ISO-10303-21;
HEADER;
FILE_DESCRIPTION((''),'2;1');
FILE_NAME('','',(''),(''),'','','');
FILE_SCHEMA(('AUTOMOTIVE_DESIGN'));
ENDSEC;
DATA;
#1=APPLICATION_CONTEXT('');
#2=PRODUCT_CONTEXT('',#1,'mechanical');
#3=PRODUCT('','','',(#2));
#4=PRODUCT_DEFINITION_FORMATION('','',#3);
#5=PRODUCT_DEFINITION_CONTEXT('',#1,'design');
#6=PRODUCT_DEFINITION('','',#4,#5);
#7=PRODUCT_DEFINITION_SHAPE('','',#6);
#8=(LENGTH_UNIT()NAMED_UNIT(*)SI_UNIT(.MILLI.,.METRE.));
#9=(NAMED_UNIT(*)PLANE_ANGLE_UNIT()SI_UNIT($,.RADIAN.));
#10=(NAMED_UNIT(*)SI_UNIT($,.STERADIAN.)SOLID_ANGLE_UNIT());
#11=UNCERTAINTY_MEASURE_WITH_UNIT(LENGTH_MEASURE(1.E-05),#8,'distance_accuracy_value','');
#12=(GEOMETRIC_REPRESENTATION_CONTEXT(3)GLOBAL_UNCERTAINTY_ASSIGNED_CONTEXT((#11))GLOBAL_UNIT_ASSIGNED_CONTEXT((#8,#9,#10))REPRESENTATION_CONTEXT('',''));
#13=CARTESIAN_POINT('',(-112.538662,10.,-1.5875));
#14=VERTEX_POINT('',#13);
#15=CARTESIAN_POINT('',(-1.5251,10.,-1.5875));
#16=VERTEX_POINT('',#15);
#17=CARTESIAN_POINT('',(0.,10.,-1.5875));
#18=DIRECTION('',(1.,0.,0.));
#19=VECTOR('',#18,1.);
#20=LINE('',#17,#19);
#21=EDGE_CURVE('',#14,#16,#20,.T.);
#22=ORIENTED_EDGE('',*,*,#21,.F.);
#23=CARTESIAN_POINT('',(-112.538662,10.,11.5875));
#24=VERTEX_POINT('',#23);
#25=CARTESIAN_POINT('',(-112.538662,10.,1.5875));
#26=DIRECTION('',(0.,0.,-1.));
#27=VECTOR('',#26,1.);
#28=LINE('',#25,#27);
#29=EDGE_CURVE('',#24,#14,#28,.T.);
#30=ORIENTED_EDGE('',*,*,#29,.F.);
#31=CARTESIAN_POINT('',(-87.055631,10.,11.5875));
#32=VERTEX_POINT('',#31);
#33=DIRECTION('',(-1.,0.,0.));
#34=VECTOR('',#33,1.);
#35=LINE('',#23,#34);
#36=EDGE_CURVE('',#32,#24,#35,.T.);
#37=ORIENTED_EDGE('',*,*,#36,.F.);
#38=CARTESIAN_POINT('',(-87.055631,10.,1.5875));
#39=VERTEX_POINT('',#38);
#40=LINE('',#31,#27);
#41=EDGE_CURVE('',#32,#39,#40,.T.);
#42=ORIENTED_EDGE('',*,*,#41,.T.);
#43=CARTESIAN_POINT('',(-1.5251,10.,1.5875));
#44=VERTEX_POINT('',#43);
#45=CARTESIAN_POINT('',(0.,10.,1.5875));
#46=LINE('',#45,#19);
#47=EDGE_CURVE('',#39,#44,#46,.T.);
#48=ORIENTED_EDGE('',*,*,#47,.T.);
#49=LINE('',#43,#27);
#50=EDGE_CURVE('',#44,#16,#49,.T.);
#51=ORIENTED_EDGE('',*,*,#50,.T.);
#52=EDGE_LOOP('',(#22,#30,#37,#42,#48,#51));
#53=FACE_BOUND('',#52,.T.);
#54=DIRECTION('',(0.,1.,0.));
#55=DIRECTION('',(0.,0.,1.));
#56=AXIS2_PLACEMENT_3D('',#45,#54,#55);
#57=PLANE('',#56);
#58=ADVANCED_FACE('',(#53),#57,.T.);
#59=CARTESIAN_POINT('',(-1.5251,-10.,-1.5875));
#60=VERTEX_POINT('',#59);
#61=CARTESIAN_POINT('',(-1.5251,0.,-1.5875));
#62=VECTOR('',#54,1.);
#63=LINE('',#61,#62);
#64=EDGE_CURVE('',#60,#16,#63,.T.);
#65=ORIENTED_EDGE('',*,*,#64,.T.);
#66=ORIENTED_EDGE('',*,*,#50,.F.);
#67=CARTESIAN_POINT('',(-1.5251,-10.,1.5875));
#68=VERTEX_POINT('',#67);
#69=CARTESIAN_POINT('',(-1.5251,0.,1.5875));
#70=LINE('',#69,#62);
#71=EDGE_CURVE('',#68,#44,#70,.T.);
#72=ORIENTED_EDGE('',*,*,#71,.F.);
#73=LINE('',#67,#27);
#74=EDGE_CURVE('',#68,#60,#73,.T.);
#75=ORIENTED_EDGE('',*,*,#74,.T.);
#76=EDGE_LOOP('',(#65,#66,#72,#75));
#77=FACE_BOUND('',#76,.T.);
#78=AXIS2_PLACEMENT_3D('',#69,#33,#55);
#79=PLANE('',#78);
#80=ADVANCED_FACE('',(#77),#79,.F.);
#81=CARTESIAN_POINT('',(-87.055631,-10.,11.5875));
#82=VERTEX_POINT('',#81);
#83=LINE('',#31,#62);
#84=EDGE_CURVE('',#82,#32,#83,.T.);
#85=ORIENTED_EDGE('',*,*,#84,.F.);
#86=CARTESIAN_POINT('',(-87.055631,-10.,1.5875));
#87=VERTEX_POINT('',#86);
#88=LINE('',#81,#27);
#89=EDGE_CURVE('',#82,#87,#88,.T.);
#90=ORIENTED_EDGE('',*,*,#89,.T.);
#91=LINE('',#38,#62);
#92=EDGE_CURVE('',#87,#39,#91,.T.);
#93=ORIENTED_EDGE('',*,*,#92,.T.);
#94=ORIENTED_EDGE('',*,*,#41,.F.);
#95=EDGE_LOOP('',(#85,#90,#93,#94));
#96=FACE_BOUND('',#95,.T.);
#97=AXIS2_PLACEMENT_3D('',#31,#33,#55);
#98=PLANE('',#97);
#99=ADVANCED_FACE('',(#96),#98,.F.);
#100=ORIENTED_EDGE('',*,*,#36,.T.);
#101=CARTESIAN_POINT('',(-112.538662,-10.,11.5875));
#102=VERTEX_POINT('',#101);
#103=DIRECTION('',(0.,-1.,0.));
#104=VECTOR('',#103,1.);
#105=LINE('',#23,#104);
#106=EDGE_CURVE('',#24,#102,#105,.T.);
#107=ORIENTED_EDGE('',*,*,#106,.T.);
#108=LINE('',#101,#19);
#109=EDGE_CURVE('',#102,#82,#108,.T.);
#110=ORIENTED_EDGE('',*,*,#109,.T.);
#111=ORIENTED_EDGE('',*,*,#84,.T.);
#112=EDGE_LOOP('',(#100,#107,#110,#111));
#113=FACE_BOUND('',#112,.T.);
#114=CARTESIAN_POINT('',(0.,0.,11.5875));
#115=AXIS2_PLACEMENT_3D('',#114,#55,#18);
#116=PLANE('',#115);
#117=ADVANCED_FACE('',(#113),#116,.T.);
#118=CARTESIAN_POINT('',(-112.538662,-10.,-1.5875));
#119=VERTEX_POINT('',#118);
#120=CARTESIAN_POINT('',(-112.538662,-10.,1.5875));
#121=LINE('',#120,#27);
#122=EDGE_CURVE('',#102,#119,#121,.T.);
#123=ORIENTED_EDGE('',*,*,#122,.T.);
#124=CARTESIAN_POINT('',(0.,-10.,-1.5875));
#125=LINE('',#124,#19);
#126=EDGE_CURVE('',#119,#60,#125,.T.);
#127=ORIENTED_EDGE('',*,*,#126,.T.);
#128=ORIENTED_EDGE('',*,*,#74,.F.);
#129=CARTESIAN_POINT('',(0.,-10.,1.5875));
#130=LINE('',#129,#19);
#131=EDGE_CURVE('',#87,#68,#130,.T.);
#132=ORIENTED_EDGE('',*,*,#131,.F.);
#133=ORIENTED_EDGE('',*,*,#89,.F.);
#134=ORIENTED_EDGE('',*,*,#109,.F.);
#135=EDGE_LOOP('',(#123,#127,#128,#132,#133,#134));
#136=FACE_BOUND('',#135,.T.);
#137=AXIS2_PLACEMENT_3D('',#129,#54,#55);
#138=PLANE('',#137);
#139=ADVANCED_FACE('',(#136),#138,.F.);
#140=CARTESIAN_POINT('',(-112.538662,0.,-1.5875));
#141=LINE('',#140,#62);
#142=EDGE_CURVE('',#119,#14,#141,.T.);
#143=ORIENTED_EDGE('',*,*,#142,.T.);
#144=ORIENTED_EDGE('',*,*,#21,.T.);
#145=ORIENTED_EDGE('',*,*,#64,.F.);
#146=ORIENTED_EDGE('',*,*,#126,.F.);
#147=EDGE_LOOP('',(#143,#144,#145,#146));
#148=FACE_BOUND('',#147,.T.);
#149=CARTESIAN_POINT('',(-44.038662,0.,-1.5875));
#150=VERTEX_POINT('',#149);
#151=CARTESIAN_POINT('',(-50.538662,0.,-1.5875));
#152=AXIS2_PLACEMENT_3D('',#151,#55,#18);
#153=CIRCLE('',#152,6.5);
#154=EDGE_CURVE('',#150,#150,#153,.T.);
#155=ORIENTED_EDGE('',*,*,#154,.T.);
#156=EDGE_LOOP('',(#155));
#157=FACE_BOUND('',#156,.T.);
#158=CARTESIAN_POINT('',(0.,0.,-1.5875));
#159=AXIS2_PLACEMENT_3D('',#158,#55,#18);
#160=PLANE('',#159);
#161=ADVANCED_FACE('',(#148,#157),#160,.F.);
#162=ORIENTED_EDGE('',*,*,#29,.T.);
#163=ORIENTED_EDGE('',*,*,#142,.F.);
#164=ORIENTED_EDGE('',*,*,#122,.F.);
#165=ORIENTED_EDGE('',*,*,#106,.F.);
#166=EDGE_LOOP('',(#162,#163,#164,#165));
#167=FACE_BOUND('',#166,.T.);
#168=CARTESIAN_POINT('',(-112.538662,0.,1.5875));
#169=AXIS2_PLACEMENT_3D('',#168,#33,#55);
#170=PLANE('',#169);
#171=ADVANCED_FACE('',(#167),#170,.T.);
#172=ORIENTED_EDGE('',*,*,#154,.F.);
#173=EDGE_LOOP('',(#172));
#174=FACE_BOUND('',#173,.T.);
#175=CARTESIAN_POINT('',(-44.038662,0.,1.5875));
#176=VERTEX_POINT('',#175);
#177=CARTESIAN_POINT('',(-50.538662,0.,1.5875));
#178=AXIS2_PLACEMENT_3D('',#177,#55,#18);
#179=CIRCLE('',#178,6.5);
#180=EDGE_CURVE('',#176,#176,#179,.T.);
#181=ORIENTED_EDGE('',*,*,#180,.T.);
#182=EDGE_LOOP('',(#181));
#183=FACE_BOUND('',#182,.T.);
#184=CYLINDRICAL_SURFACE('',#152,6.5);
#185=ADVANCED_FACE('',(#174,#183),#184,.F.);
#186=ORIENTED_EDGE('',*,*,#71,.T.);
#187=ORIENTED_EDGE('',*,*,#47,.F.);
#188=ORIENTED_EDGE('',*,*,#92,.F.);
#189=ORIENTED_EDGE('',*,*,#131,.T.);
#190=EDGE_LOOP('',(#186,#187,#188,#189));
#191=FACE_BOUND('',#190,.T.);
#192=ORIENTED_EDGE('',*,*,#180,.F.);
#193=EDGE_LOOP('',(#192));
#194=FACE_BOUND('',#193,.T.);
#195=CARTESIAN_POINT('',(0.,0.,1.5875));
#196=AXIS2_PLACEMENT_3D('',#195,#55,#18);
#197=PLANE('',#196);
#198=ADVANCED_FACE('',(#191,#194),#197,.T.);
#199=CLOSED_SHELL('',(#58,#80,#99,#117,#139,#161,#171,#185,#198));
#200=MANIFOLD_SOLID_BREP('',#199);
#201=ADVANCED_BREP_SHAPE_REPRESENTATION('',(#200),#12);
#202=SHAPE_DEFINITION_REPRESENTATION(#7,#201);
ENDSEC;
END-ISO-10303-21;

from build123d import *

# Parameters (mm, degrees)
SKETCH1_W               = 111.013561953
SKETCH1_H               = 10
BOSS_EXTRUDE3_DEPTH     = 1.5875
CUT_EXTRUDE1_DEPTH      = 114.026682648
CUT_EXTRUDE1_DEPTH_BACK = 114.026682648
SKETCH2_R               = 6.5
SKETCH3_W               = 25.483030165
SKETCH3_H               = 20
BOSS_EXTRUDE4_DEPTH     = 10


with BuildPart() as part:
    # Sketch1 → Boss-Extrude3 (new, symmetric)
    with BuildSketch(Plane.XY):
        with Locations((-57.031880671, 5)):
            Rectangle(SKETCH1_W, SKETCH1_H)
        with Locations((-57.031880671, -5)):
            Rectangle(SKETCH1_W, SKETCH1_H)
    extrude(amount=BOSS_EXTRUDE3_DEPTH, both=True)

    # Sketch2 → Cut-Extrude1 (cut, two sides: drawn at the far end of the back side and taken through both)
    with BuildSketch(Plane.XY.offset(1.5875).offset(-CUT_EXTRUDE1_DEPTH_BACK)):
        with Locations((-50.538661647, 0)):
            Circle(SKETCH2_R)
    extrude(amount=CUT_EXTRUDE1_DEPTH + CUT_EXTRUDE1_DEPTH_BACK, mode=Mode.SUBTRACT)

    # Sketch3 → Boss-Extrude4 (add)
    with BuildSketch(Plane.XY.offset(1.5875)):
        with Locations((-99.797146565, 0)):
            Rectangle(SKETCH3_W, SKETCH3_H)
    extrude(amount=BOSS_EXTRUDE4_DEPTH)


solid = part.part
